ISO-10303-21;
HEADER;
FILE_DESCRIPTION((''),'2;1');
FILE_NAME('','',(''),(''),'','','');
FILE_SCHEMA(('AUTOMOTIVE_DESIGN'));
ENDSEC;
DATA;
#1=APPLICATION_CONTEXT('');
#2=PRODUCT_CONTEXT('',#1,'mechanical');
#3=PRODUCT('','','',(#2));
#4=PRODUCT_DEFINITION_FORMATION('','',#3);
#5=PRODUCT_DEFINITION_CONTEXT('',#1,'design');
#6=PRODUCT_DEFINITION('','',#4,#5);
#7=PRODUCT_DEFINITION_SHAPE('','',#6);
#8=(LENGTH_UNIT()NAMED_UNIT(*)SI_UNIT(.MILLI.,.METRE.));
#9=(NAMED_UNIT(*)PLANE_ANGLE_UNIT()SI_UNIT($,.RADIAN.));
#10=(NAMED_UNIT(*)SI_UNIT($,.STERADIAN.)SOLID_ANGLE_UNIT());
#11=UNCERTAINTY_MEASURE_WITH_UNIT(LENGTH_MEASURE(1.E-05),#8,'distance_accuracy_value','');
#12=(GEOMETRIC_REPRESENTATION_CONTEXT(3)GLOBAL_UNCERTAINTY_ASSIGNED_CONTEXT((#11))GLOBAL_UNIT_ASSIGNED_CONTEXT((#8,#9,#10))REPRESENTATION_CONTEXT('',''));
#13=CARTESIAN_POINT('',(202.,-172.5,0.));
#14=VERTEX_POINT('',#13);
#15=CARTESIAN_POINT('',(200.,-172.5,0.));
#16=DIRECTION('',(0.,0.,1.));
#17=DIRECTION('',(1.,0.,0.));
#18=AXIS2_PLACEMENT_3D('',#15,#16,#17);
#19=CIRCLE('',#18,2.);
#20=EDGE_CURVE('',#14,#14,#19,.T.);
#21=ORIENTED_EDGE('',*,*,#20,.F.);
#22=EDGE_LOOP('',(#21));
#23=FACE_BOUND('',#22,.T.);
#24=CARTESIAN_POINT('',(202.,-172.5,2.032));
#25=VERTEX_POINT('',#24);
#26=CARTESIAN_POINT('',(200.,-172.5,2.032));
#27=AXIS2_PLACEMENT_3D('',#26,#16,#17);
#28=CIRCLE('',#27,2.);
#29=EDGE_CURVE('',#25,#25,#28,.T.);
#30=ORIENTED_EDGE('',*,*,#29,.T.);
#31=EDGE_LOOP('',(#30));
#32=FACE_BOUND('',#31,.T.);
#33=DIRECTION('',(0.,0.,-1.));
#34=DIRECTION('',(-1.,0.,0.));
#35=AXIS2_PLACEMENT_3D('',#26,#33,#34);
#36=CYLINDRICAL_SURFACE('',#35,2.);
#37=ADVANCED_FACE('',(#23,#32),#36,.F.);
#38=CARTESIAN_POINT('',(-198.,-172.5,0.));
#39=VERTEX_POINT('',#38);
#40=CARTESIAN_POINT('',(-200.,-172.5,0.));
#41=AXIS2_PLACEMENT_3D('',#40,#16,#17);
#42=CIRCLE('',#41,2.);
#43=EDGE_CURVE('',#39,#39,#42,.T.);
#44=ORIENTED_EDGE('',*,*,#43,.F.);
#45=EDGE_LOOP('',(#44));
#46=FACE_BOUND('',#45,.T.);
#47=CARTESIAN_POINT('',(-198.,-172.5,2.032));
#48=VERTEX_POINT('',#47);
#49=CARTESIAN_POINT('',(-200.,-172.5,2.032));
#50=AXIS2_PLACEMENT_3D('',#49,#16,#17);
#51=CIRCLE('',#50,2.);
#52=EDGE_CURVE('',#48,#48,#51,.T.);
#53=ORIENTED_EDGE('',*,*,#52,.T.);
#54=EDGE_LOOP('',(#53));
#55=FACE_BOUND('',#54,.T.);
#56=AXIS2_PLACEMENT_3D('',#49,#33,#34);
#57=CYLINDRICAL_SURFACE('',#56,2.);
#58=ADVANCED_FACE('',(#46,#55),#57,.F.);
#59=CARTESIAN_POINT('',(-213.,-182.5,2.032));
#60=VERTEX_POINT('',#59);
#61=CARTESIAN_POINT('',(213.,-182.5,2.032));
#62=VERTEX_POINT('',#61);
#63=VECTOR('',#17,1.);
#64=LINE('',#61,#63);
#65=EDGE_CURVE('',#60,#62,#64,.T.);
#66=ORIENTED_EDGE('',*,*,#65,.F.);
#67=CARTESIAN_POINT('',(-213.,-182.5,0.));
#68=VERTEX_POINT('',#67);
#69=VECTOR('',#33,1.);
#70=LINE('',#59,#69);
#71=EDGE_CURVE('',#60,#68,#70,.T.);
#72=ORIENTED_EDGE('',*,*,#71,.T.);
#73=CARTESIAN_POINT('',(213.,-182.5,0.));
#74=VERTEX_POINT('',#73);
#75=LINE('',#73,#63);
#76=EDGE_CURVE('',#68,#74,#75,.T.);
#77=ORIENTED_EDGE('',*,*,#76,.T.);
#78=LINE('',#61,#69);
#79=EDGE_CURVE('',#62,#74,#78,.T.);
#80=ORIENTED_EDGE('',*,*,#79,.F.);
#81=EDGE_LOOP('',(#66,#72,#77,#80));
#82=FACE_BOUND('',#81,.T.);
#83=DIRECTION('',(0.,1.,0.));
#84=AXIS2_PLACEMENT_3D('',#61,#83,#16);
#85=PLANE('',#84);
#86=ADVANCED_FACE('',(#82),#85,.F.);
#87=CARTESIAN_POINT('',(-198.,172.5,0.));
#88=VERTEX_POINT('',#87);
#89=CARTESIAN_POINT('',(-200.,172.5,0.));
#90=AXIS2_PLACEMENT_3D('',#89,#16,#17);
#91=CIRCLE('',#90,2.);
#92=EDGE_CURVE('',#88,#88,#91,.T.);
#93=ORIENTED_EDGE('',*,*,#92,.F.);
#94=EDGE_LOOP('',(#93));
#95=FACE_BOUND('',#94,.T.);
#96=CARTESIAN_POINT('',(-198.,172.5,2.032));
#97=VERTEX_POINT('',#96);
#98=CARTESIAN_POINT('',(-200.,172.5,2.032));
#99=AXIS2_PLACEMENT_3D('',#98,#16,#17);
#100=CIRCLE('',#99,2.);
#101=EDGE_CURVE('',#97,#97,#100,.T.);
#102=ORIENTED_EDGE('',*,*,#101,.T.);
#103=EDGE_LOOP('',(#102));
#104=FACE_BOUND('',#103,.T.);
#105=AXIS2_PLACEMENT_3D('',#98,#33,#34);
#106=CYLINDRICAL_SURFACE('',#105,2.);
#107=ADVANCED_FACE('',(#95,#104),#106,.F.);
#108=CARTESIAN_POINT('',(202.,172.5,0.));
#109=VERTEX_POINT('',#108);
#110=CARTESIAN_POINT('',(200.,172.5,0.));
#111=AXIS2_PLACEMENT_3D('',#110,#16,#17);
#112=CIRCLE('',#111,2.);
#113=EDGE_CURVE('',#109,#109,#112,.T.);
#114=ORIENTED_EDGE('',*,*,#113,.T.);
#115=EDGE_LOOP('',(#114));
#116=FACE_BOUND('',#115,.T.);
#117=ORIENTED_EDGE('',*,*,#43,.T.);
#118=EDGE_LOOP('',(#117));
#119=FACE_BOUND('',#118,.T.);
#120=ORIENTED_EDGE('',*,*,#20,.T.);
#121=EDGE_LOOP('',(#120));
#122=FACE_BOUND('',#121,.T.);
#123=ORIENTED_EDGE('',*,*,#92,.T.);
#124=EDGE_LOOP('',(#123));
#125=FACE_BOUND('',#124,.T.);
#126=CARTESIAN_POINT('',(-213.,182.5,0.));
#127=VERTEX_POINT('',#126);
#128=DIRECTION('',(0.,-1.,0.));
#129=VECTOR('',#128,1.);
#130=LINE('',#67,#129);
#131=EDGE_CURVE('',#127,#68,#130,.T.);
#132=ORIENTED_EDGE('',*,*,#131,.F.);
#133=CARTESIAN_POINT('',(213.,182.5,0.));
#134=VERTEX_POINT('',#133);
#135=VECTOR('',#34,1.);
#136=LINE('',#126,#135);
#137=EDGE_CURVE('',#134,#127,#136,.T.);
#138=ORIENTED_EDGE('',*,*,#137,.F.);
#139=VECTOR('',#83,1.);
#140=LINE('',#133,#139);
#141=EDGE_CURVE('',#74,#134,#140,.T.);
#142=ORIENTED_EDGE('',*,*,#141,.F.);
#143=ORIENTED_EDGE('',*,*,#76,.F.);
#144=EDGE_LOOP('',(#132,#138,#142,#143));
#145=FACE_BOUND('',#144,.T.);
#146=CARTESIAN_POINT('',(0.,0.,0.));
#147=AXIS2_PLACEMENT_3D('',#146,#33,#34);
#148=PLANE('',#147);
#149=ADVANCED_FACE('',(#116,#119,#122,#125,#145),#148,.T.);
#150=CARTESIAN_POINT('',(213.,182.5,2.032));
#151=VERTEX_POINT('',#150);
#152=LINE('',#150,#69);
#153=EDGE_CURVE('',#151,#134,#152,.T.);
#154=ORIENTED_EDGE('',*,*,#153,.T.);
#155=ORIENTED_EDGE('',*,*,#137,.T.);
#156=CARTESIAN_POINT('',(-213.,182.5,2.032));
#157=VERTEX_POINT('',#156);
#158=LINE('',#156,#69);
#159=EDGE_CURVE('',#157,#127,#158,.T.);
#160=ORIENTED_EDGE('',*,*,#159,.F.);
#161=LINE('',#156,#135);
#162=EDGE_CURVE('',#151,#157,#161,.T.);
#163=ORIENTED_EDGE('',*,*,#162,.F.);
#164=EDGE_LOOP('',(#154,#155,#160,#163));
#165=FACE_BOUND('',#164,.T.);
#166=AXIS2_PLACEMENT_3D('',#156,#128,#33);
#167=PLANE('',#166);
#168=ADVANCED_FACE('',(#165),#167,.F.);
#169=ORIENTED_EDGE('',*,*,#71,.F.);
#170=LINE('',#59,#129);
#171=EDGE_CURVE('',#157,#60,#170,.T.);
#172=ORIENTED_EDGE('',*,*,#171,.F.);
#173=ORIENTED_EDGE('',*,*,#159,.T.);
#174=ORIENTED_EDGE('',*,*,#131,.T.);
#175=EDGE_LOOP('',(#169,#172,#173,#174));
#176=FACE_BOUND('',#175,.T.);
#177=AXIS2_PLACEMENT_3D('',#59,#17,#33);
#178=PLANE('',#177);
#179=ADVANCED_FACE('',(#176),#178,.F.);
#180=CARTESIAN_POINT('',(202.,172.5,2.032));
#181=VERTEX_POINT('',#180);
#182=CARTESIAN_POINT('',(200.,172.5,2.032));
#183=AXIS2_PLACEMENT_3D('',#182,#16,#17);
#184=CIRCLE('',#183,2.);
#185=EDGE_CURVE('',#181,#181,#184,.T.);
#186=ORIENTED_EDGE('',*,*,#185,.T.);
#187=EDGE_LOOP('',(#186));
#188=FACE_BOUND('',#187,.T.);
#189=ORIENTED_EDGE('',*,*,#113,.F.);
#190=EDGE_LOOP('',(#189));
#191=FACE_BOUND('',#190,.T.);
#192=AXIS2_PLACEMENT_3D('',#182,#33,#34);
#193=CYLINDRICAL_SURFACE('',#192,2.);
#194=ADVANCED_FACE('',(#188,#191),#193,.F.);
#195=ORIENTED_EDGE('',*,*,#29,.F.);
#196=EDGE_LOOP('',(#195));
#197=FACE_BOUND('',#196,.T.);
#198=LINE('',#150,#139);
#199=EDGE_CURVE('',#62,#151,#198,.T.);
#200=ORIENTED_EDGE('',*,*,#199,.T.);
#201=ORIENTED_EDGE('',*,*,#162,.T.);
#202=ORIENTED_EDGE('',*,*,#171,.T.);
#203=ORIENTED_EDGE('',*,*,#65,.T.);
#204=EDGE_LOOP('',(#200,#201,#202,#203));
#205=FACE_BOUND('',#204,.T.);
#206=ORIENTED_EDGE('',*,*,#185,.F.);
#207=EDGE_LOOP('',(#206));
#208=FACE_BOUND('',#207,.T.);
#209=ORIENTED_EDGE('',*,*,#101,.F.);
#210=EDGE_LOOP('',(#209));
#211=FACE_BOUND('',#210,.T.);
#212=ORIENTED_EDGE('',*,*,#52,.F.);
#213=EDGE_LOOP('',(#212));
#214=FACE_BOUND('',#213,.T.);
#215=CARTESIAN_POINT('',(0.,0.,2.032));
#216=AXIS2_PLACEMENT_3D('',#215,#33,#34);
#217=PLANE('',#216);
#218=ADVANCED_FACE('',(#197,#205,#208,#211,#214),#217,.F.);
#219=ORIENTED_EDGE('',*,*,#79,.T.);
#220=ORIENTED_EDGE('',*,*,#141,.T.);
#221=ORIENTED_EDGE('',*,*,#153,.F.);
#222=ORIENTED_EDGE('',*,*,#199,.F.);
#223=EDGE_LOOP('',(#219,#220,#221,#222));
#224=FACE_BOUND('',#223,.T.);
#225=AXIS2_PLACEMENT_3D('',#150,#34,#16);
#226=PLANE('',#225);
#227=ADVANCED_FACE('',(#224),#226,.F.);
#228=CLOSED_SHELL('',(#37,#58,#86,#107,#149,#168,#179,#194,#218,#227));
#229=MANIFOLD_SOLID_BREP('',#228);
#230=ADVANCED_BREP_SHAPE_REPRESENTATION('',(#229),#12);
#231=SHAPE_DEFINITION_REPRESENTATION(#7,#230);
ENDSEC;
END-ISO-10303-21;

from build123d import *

# Parameters (mm, degrees)
SKETCH1_W           = 426
SKETCH1_H           = 365
SKETCH1_R           = 2
BOSS_EXTRUDE1_DEPTH = 2.032


with BuildPart() as part:
    # Sketch1 → Boss-Extrude1 (new body)
    with BuildSketch(Plane.XY):
        Rectangle(SKETCH1_W, SKETCH1_H)
        with Locations((200, 172.5)):
            Circle(SKETCH1_R, mode=Mode.SUBTRACT)
        with Locations((-200, -172.5)):
            Circle(SKETCH1_R, mode=Mode.SUBTRACT)
        with Locations((200, -172.5)):
            Circle(SKETCH1_R, mode=Mode.SUBTRACT)
        with Locations((-200, 172.5)):
            Circle(SKETCH1_R, mode=Mode.SUBTRACT)
    extrude(amount=BOSS_EXTRUDE1_DEPTH)


solid = part.part
